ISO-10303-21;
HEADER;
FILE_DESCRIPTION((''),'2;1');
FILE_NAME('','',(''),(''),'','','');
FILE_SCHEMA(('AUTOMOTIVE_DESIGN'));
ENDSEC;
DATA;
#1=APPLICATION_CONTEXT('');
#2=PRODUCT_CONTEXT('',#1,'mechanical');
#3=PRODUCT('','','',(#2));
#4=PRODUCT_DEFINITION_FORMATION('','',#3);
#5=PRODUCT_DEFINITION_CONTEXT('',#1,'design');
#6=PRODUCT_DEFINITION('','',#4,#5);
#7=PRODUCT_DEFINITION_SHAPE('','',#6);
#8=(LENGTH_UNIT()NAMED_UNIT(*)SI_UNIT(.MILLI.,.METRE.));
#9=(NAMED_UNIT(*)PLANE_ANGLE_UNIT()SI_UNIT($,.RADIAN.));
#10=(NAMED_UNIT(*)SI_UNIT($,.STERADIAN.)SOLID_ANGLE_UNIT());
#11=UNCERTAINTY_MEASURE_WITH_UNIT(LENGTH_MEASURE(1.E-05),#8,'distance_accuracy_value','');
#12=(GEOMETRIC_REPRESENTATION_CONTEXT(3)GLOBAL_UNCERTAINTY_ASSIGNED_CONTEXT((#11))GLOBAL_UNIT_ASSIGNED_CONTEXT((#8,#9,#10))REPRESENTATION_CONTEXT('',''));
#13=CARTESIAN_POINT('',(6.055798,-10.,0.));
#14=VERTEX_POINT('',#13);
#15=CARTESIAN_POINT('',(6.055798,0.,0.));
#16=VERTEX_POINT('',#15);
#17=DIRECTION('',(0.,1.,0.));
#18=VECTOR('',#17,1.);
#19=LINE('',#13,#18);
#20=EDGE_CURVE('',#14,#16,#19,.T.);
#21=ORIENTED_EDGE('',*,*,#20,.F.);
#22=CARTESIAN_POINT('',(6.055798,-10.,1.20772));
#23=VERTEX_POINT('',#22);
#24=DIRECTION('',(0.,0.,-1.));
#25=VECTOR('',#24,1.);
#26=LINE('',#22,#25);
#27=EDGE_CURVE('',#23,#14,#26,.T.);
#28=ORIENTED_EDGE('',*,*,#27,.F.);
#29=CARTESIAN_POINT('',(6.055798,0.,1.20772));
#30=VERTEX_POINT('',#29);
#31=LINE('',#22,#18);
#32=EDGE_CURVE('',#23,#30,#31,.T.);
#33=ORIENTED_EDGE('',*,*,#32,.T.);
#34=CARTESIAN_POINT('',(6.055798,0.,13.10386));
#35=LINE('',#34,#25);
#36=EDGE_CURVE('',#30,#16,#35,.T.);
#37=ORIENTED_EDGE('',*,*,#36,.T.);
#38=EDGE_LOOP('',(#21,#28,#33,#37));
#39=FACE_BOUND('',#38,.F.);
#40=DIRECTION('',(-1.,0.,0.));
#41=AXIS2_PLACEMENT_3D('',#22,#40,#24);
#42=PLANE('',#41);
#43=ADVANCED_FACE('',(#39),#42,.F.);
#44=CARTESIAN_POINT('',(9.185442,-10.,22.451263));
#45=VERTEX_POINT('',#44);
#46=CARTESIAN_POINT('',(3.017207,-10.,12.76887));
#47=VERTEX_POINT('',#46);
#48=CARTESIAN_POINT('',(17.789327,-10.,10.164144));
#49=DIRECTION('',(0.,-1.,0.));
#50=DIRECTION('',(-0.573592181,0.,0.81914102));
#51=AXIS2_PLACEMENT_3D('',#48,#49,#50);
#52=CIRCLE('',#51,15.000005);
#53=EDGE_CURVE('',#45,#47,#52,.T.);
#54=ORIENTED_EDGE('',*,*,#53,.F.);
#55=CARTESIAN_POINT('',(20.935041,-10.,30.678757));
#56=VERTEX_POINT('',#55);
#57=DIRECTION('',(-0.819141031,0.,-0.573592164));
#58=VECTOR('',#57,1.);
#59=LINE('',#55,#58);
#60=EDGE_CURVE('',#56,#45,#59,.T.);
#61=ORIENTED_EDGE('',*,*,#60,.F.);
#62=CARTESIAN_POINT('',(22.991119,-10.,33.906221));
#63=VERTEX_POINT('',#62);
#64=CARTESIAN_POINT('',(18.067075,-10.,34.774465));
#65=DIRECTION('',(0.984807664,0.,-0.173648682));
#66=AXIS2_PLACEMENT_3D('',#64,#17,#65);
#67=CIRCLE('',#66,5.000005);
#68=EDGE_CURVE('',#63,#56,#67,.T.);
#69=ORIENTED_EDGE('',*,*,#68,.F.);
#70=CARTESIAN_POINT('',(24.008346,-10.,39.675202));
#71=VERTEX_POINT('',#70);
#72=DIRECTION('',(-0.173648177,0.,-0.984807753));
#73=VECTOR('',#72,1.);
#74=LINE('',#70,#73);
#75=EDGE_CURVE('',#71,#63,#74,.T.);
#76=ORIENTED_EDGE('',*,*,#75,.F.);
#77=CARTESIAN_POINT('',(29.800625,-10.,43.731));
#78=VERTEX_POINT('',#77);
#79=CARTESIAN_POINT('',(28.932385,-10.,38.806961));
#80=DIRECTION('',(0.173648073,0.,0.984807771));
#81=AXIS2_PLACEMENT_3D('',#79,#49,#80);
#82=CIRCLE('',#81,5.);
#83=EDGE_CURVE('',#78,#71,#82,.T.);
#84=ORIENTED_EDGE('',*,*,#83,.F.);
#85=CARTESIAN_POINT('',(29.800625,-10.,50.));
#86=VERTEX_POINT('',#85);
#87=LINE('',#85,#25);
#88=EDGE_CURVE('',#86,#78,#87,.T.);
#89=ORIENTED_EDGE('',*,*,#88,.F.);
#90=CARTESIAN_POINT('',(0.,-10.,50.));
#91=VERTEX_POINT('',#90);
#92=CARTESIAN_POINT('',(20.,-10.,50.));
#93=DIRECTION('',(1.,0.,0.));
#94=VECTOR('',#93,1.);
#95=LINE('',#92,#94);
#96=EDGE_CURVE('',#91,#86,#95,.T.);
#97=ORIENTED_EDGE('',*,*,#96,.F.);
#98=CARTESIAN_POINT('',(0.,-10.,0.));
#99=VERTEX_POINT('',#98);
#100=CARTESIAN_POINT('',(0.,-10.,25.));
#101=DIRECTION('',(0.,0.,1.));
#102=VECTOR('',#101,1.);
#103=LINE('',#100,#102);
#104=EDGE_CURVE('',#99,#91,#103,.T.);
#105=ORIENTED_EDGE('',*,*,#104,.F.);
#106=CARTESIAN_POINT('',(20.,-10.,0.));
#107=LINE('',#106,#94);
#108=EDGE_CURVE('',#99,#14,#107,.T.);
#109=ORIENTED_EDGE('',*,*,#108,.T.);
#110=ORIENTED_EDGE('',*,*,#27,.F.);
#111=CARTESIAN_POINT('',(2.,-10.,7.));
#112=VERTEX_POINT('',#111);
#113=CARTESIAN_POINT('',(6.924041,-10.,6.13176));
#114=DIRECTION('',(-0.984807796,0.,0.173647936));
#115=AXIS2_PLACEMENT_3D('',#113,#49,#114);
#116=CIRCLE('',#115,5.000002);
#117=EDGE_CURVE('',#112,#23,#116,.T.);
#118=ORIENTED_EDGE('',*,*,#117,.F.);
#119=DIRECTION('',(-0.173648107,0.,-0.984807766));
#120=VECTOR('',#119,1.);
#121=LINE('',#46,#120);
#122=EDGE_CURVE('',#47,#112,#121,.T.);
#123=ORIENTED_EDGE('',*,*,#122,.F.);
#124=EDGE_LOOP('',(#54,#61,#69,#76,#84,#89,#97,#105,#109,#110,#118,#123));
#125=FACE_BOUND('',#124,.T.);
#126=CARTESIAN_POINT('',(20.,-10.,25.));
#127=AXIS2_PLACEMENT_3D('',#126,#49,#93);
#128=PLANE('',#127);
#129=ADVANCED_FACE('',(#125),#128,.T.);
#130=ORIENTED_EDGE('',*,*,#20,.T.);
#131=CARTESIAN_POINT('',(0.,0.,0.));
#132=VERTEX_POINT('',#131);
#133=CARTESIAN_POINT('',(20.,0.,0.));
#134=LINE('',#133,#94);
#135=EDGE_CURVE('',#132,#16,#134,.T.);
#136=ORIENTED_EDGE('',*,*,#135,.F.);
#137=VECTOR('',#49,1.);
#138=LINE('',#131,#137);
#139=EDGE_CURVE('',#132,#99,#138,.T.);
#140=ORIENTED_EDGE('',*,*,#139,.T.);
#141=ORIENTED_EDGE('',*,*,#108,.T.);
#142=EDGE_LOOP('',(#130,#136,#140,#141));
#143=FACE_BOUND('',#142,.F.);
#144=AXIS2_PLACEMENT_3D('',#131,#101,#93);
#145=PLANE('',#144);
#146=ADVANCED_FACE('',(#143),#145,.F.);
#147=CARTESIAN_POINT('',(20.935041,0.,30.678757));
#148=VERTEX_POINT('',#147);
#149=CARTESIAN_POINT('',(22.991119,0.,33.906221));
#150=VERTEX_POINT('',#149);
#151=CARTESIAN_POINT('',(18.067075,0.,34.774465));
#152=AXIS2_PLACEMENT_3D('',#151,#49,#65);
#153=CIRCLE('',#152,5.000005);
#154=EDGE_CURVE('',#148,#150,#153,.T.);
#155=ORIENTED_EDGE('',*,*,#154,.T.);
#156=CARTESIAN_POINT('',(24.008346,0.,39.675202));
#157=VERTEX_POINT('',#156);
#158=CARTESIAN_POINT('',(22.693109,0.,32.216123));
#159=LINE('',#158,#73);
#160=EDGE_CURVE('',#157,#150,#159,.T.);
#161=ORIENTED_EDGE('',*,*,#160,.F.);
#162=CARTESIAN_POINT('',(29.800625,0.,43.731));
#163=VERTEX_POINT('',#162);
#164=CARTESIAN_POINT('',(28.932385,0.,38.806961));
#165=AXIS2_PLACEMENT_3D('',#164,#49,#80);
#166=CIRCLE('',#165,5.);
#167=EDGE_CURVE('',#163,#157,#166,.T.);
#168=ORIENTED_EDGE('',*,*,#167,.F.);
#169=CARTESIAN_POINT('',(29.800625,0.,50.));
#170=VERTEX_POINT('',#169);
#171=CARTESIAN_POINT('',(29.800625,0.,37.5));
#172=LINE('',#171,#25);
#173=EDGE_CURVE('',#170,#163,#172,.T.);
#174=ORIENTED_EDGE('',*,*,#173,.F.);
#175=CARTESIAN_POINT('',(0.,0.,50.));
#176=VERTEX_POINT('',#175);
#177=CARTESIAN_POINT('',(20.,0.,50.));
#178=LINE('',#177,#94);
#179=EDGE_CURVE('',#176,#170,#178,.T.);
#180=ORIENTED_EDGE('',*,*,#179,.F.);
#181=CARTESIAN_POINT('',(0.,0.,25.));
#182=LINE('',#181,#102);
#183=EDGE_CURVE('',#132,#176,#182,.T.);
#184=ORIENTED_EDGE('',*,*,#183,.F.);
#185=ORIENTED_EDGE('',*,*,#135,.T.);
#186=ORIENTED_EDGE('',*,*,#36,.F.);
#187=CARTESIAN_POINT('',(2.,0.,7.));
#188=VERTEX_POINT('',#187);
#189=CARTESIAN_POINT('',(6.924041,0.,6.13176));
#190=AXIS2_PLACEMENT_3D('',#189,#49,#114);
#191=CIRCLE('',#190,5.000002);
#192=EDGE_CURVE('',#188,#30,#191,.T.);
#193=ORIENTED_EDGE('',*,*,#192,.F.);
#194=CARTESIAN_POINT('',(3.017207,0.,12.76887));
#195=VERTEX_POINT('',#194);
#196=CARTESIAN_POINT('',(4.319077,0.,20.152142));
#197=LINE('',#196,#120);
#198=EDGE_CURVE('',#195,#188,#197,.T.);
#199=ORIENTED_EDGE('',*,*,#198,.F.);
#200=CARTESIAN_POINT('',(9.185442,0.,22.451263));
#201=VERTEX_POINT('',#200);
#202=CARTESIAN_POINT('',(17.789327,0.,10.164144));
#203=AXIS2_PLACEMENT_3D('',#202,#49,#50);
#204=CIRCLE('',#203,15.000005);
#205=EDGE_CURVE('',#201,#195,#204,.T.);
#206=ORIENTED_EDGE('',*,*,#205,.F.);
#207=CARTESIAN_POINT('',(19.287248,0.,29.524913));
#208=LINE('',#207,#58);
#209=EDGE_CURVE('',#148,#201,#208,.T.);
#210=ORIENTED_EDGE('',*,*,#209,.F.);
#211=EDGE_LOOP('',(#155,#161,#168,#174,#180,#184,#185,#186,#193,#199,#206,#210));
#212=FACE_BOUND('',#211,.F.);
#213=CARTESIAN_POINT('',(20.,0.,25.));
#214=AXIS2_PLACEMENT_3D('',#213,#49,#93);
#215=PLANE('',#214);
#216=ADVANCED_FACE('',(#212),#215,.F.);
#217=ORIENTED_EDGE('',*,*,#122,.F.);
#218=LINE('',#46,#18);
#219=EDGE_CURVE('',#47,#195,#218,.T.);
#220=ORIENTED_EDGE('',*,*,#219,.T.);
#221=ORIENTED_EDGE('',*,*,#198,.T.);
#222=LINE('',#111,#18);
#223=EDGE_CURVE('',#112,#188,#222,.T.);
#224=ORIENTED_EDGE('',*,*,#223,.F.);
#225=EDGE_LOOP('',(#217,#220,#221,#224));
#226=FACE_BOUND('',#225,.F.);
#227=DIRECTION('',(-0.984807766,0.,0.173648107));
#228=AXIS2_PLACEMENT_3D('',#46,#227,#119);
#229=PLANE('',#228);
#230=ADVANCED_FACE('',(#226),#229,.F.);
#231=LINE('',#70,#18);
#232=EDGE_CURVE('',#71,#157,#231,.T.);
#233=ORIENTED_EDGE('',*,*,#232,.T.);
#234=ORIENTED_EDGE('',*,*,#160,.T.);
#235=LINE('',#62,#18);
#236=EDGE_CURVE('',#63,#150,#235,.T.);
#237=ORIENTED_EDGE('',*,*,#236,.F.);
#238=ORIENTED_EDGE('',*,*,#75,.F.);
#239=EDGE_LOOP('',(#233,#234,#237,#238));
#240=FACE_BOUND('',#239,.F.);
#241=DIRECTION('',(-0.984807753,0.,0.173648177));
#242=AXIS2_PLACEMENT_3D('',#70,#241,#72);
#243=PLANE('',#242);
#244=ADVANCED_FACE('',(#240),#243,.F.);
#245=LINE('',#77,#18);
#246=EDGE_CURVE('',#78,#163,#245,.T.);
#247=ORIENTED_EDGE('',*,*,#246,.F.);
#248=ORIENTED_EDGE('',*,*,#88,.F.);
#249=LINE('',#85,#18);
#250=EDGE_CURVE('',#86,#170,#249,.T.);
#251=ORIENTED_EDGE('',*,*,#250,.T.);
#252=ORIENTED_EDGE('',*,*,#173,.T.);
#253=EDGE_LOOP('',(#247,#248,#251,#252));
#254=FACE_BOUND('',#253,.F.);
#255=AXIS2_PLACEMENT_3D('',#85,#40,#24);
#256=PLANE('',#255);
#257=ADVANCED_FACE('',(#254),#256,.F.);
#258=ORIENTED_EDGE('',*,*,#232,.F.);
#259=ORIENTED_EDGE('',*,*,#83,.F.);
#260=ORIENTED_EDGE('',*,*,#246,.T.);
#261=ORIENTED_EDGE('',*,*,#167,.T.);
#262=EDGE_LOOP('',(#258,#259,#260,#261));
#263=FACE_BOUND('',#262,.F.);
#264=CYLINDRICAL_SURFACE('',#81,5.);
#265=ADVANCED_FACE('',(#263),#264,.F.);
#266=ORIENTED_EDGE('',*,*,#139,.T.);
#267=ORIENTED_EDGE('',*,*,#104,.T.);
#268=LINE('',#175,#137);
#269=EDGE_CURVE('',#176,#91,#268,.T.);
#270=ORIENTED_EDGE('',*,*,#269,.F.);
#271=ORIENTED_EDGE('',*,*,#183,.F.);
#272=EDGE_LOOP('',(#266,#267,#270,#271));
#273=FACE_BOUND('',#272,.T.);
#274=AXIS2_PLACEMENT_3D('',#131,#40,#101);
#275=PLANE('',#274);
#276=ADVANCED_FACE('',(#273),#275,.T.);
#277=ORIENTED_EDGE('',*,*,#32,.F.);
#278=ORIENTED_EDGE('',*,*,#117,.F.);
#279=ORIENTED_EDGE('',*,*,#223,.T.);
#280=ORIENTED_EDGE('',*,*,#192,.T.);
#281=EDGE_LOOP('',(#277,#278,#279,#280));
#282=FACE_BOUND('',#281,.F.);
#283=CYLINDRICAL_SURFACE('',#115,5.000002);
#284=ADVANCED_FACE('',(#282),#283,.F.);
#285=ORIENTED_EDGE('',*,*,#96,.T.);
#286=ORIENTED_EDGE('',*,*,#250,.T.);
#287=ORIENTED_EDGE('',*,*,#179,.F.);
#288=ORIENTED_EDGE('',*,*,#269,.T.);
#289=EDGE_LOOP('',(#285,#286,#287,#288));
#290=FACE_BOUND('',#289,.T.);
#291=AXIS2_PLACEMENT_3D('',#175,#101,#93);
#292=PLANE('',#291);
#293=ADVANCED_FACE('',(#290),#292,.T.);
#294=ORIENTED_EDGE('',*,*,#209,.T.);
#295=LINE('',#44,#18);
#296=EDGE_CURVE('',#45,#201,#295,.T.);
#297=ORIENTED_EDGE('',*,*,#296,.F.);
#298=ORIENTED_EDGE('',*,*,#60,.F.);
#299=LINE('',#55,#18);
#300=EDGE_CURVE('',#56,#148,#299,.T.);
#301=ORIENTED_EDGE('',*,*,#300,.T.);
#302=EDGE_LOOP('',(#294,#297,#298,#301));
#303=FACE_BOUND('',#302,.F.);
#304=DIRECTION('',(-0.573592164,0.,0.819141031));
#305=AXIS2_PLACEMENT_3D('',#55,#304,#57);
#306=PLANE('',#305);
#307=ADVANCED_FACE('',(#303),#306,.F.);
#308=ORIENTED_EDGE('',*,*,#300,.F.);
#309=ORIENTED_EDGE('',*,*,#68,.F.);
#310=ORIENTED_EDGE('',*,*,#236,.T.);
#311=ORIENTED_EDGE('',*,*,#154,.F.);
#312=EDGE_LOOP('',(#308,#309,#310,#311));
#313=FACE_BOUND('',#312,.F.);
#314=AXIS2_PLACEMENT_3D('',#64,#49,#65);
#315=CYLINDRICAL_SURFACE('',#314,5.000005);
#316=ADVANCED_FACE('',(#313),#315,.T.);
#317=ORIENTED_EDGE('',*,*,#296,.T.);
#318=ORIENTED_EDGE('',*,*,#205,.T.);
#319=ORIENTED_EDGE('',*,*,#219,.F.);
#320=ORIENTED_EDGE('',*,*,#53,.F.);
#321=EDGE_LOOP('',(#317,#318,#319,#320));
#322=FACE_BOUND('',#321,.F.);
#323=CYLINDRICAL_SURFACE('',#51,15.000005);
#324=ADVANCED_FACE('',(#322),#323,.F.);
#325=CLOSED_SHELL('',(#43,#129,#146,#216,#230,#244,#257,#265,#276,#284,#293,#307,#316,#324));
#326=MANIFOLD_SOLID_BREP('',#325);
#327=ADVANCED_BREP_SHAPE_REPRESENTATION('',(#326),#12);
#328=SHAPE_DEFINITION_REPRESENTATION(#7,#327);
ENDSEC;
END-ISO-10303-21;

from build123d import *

# Parameters (mm, degrees)
F0_W     = 40
F0_H     = 50
F1_DEPTH = 10
F3_DEPTH = 10.001


with BuildPart() as f1:
    # F0 (on Front) → F1 (new body)
    with BuildSketch(Plane.XZ):
        with Locations((20, 25)):
            Rectangle(F0_W, F0_H)
    extrude(amount=F1_DEPTH)

    # F2 (on face) → F3 (cut, through all)
    with BuildSketch(Plane.XZ.offset(10)):
        with BuildLine():
            Line((3.017207, 12.76887), (2, 7))
            ThreePointArc((2, 7), (2.828279, 3.263877), (6.055798, 1.20772))
            Line((6.055798, 1.20772), (6.055798, 0))
            Line((6.055798, 0), (40, 0))
            Line((40, 0), (40, 50))
            Line((40, 50), (29.800625, 50))
            Line((29.800625, 50), (29.800625, 43.731))
            ThreePointArc((29.800625, 43.731), (26.064502, 42.902721), (24.008346, 39.675202))
            Line((24.008346, 39.675202), (22.991119, 33.906221))
            ThreePointArc((22.991119, 33.906221), (22.284063, 32.088005), (20.935041, 30.678757))
            Line((20.935041, 30.678757), (9.185442, 22.451263))
            ThreePointArc((9.185442, 22.451263), (5.138375, 18.22352), (3.017207, 12.76887))
        make_face()
    extrude(amount=-F3_DEPTH, mode=Mode.SUBTRACT)


solid = f1.part
